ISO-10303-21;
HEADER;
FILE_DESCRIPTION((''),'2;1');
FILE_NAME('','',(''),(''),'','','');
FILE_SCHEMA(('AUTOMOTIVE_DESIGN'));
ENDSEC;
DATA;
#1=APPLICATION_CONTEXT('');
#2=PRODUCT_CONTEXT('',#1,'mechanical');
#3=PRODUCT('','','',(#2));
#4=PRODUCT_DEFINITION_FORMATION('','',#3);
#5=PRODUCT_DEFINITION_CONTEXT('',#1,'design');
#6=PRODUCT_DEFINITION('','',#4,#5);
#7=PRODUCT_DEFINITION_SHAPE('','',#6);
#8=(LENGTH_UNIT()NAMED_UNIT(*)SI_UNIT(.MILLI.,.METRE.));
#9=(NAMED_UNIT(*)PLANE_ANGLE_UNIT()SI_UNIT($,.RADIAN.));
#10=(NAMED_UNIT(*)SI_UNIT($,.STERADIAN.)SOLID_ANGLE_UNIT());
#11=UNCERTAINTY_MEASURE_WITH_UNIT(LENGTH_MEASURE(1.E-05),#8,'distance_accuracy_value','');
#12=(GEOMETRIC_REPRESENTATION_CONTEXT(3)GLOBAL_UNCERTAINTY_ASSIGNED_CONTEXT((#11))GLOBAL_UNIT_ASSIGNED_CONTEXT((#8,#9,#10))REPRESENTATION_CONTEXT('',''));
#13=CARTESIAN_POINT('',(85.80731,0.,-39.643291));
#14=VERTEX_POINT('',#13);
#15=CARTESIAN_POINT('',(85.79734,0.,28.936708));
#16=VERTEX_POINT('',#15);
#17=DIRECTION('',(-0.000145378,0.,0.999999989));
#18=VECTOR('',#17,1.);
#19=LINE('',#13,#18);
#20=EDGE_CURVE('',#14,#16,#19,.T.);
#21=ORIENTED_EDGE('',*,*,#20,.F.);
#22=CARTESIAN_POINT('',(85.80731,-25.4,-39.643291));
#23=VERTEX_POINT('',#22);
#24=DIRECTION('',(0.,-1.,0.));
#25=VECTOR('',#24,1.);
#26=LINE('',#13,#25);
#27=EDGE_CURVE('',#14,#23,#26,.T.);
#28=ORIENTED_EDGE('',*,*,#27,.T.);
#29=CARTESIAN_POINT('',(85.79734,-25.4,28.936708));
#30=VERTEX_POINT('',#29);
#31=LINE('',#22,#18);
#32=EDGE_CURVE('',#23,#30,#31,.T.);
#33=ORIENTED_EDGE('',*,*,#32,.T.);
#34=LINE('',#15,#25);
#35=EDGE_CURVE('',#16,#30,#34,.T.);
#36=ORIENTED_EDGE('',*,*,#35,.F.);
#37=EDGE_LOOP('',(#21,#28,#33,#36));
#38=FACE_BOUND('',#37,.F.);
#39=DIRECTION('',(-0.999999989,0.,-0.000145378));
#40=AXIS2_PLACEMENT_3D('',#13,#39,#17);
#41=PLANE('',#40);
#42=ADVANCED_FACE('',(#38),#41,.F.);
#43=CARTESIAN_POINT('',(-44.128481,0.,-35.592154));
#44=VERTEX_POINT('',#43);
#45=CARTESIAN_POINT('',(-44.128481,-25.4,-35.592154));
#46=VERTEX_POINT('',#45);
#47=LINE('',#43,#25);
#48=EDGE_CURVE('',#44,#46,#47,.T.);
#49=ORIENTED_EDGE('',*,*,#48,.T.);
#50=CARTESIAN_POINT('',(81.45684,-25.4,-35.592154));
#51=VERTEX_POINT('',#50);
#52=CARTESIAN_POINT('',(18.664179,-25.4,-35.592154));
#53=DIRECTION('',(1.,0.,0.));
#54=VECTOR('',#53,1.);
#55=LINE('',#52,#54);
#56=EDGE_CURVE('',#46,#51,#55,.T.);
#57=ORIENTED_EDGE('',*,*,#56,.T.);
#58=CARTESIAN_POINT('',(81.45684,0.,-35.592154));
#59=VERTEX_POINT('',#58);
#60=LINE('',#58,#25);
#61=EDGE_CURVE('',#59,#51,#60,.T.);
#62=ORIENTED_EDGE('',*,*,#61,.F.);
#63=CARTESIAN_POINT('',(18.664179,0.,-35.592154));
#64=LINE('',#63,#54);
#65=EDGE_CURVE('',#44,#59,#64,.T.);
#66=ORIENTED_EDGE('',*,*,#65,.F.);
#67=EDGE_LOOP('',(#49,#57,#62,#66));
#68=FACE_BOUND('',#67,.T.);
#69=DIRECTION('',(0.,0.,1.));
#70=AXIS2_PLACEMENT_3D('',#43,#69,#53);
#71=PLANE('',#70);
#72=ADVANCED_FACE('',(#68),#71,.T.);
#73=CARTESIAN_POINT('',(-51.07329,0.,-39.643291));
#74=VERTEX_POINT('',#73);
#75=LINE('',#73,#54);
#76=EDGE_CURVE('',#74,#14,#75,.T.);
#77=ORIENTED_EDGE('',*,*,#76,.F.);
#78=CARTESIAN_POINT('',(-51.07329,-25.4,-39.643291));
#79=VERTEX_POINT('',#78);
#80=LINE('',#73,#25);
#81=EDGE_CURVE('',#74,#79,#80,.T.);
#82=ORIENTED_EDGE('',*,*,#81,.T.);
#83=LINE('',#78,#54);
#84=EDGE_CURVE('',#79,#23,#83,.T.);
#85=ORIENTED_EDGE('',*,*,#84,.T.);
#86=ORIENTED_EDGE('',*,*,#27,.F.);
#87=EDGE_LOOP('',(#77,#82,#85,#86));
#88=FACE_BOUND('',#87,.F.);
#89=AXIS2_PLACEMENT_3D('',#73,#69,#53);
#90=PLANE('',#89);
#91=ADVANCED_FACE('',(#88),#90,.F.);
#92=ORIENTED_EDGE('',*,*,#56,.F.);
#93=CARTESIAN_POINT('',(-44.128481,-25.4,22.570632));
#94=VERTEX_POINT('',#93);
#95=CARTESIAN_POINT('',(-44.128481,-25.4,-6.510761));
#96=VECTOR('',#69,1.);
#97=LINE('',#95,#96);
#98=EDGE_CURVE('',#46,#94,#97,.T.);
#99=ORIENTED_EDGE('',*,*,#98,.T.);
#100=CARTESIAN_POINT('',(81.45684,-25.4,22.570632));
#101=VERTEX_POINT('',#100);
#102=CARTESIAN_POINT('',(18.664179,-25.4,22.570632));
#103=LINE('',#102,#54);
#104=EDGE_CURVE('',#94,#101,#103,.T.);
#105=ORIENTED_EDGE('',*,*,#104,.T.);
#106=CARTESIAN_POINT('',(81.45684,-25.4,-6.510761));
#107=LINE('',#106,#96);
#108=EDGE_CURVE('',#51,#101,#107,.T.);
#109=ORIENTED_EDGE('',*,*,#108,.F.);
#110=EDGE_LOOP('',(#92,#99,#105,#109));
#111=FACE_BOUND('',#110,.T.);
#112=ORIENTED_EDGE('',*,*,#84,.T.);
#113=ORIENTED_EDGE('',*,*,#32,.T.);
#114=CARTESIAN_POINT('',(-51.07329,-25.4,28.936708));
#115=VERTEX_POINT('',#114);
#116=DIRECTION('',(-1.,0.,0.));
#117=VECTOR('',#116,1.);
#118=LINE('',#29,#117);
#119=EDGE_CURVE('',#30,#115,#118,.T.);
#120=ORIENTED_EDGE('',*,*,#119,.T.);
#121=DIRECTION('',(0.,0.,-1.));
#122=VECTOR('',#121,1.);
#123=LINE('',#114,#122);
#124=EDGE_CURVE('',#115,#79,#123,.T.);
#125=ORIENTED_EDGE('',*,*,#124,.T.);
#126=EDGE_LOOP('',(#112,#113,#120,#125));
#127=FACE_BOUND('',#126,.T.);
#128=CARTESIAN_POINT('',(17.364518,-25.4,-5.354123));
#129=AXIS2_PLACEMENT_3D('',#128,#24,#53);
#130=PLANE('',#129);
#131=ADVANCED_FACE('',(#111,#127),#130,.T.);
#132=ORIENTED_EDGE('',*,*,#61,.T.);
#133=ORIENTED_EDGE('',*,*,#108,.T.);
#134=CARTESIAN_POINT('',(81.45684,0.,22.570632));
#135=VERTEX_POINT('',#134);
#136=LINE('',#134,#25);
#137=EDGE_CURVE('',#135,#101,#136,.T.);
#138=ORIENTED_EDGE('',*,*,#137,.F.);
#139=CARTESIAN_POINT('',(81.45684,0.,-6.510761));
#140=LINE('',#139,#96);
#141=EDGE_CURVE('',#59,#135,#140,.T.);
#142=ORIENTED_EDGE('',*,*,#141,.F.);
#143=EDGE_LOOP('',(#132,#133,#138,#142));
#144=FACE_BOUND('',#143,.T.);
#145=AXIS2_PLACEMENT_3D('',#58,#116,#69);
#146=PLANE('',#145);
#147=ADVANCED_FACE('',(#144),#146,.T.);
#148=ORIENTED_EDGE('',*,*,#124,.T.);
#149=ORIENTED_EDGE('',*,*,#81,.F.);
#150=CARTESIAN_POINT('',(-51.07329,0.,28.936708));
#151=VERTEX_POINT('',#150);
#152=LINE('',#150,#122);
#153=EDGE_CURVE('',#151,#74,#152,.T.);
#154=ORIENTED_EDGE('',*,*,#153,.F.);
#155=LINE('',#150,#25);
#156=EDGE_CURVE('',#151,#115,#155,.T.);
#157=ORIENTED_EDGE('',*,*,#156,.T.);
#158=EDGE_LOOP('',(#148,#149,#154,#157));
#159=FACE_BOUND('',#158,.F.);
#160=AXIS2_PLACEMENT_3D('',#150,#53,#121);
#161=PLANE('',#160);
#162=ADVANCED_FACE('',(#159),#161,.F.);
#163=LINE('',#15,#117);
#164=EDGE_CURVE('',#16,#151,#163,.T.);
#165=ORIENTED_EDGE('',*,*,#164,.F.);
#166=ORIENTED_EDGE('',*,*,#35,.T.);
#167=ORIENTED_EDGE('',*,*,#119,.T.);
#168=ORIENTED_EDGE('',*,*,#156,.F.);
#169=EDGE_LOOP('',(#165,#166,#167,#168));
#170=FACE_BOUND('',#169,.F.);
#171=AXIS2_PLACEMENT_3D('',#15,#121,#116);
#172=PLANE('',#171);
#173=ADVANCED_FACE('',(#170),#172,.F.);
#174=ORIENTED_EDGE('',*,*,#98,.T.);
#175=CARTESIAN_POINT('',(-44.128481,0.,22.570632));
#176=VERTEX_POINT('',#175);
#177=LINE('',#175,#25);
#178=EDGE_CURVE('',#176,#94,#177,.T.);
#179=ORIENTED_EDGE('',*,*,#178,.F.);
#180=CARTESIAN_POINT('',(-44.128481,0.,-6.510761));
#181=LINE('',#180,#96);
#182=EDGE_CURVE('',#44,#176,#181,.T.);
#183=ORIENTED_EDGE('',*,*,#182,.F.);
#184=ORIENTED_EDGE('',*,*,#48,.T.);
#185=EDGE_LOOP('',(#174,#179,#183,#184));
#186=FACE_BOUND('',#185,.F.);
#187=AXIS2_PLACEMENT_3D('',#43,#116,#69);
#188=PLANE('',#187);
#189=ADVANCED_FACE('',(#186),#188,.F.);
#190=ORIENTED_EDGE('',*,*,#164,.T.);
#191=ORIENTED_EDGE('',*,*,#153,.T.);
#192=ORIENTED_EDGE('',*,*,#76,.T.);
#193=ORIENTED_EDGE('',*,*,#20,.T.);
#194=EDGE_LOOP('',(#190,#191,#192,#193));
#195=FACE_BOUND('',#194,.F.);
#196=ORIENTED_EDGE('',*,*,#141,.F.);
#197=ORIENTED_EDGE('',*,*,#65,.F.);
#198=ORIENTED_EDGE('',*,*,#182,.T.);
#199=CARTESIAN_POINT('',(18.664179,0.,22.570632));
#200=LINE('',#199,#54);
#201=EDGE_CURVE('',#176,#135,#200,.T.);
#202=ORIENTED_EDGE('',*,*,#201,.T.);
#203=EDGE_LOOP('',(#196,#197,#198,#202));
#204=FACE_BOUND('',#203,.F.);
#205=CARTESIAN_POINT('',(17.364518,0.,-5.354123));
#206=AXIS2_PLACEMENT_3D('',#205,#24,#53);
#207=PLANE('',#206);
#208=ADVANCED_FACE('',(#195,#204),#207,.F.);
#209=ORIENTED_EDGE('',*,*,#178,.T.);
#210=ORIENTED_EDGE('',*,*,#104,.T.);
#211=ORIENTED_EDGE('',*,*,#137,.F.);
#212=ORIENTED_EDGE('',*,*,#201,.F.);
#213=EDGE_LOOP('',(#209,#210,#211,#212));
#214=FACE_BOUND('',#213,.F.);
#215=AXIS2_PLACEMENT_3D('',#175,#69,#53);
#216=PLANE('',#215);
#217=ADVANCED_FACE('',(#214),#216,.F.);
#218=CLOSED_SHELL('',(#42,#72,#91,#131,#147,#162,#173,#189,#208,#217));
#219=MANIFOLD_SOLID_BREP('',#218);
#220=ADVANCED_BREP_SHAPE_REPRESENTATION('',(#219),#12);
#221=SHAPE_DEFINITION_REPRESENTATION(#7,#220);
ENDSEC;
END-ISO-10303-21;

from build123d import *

# Parameters (mm, degrees)
F0_W     = 125.585321
F0_H     = 58.162786
F1_DEPTH = 25.4


with BuildPart() as f1:
    # F0 (on Front) → F1 (new body)
    with BuildSketch(Plane.XZ):
        Polygon((85.79734, 28.936708), (-51.07329, 28.936708), (-51.07329, -39.643291), (85.80731, -39.643291), align=None)
        with Locations((18.664179, -6.510761)):
            Rectangle(F0_W, F0_H, mode=Mode.SUBTRACT)
    extrude(amount=F1_DEPTH)


solid = f1.part
